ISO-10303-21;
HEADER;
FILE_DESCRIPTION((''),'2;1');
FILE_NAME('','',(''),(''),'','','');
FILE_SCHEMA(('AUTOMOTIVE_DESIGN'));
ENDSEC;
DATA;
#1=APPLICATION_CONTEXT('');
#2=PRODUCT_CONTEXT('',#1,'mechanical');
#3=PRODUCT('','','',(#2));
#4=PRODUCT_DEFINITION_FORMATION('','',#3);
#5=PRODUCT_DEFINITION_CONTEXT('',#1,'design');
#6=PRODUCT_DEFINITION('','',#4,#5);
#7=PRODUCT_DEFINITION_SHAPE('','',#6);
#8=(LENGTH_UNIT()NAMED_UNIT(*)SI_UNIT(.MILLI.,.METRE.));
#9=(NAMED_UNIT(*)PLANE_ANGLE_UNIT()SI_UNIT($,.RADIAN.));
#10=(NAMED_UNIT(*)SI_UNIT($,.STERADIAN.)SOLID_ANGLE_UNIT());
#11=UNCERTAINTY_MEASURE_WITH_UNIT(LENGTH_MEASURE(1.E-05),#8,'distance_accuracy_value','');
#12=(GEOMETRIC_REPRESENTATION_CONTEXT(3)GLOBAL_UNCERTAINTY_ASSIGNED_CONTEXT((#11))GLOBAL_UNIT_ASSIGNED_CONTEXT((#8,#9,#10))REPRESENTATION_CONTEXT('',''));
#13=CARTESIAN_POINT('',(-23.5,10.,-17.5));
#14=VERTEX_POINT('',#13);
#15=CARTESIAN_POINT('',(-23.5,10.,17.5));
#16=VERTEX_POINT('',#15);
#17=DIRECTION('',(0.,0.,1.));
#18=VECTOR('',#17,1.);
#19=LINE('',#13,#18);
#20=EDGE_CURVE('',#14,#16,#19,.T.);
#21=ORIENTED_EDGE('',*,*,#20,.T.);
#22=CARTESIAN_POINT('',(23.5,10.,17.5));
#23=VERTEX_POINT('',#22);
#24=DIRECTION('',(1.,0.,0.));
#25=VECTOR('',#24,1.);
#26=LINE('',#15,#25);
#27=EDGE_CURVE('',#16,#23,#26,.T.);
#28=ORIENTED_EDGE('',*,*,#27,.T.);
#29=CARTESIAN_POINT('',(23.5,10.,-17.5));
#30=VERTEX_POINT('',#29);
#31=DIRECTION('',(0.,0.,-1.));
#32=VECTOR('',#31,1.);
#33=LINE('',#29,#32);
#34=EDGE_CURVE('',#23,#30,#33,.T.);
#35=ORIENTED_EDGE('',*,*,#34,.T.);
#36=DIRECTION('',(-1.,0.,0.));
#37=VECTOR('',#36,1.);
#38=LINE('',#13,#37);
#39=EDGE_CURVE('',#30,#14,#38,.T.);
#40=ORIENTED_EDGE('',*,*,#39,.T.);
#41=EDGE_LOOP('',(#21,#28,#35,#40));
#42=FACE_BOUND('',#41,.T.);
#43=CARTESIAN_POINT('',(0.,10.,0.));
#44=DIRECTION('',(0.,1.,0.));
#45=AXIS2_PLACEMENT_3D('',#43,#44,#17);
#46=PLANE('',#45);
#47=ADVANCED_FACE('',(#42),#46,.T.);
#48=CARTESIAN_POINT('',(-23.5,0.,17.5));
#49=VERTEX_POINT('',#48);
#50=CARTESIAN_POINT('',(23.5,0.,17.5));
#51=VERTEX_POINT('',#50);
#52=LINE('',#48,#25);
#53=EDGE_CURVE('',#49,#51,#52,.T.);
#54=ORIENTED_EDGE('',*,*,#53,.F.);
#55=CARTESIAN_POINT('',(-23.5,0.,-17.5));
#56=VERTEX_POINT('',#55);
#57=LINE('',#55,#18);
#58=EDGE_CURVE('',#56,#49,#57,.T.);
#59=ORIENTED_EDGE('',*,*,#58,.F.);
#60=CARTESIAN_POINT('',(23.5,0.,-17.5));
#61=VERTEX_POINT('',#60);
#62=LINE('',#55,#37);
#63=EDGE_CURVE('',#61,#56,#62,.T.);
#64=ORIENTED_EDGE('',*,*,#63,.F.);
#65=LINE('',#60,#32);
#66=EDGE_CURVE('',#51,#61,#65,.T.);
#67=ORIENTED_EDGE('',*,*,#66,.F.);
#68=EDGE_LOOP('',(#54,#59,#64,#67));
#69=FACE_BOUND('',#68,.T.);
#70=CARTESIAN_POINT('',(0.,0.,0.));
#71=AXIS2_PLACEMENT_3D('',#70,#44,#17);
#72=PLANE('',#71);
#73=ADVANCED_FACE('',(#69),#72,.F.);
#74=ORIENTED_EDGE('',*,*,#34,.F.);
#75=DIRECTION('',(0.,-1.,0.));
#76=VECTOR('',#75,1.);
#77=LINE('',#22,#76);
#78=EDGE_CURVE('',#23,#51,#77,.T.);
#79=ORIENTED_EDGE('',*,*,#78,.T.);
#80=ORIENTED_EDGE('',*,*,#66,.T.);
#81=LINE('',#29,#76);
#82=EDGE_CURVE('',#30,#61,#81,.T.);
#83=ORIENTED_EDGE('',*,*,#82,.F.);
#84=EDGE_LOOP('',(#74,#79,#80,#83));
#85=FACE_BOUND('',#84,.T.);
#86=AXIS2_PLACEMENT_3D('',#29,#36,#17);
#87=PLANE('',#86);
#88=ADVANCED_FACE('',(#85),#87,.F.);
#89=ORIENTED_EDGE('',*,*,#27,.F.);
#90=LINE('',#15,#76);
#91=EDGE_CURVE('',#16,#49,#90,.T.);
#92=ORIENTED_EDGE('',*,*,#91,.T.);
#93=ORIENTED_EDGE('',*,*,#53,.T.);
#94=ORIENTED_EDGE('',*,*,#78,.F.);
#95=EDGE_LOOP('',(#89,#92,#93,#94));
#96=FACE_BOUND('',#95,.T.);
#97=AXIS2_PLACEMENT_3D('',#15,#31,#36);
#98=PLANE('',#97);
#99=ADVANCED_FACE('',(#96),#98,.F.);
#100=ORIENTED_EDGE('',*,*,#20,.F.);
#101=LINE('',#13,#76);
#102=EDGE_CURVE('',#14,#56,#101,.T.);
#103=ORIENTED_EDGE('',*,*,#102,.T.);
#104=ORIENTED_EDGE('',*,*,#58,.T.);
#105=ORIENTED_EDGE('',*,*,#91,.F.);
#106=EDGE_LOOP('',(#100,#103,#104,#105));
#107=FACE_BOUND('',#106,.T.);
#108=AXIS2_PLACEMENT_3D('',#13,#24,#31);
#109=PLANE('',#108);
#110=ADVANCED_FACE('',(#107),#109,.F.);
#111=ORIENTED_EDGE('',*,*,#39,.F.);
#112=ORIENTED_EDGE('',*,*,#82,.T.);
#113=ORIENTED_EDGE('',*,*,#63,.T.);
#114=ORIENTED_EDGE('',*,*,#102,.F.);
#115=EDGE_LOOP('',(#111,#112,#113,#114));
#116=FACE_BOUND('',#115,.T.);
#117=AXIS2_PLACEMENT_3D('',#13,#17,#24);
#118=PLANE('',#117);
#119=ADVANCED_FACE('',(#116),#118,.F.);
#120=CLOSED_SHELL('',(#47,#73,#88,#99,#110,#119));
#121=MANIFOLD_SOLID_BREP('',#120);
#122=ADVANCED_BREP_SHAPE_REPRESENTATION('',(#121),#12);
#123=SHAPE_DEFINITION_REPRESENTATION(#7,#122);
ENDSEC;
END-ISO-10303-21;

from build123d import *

# Parameters (mm, degrees)
SKETCH1_W           = 47
SKETCH1_H           = 35
BOSS_EXTRUDE1_DEPTH = 10


with BuildPart() as part:
    # Sketch1 → Boss-Extrude1 (new body)
    with BuildSketch(Plane(origin=(0, 0, 0), x_dir=(1, 0, 0), z_dir=(0, 1, 0))):
        Rectangle(SKETCH1_W, SKETCH1_H)
    extrude(amount=BOSS_EXTRUDE1_DEPTH)


solid = part.part
